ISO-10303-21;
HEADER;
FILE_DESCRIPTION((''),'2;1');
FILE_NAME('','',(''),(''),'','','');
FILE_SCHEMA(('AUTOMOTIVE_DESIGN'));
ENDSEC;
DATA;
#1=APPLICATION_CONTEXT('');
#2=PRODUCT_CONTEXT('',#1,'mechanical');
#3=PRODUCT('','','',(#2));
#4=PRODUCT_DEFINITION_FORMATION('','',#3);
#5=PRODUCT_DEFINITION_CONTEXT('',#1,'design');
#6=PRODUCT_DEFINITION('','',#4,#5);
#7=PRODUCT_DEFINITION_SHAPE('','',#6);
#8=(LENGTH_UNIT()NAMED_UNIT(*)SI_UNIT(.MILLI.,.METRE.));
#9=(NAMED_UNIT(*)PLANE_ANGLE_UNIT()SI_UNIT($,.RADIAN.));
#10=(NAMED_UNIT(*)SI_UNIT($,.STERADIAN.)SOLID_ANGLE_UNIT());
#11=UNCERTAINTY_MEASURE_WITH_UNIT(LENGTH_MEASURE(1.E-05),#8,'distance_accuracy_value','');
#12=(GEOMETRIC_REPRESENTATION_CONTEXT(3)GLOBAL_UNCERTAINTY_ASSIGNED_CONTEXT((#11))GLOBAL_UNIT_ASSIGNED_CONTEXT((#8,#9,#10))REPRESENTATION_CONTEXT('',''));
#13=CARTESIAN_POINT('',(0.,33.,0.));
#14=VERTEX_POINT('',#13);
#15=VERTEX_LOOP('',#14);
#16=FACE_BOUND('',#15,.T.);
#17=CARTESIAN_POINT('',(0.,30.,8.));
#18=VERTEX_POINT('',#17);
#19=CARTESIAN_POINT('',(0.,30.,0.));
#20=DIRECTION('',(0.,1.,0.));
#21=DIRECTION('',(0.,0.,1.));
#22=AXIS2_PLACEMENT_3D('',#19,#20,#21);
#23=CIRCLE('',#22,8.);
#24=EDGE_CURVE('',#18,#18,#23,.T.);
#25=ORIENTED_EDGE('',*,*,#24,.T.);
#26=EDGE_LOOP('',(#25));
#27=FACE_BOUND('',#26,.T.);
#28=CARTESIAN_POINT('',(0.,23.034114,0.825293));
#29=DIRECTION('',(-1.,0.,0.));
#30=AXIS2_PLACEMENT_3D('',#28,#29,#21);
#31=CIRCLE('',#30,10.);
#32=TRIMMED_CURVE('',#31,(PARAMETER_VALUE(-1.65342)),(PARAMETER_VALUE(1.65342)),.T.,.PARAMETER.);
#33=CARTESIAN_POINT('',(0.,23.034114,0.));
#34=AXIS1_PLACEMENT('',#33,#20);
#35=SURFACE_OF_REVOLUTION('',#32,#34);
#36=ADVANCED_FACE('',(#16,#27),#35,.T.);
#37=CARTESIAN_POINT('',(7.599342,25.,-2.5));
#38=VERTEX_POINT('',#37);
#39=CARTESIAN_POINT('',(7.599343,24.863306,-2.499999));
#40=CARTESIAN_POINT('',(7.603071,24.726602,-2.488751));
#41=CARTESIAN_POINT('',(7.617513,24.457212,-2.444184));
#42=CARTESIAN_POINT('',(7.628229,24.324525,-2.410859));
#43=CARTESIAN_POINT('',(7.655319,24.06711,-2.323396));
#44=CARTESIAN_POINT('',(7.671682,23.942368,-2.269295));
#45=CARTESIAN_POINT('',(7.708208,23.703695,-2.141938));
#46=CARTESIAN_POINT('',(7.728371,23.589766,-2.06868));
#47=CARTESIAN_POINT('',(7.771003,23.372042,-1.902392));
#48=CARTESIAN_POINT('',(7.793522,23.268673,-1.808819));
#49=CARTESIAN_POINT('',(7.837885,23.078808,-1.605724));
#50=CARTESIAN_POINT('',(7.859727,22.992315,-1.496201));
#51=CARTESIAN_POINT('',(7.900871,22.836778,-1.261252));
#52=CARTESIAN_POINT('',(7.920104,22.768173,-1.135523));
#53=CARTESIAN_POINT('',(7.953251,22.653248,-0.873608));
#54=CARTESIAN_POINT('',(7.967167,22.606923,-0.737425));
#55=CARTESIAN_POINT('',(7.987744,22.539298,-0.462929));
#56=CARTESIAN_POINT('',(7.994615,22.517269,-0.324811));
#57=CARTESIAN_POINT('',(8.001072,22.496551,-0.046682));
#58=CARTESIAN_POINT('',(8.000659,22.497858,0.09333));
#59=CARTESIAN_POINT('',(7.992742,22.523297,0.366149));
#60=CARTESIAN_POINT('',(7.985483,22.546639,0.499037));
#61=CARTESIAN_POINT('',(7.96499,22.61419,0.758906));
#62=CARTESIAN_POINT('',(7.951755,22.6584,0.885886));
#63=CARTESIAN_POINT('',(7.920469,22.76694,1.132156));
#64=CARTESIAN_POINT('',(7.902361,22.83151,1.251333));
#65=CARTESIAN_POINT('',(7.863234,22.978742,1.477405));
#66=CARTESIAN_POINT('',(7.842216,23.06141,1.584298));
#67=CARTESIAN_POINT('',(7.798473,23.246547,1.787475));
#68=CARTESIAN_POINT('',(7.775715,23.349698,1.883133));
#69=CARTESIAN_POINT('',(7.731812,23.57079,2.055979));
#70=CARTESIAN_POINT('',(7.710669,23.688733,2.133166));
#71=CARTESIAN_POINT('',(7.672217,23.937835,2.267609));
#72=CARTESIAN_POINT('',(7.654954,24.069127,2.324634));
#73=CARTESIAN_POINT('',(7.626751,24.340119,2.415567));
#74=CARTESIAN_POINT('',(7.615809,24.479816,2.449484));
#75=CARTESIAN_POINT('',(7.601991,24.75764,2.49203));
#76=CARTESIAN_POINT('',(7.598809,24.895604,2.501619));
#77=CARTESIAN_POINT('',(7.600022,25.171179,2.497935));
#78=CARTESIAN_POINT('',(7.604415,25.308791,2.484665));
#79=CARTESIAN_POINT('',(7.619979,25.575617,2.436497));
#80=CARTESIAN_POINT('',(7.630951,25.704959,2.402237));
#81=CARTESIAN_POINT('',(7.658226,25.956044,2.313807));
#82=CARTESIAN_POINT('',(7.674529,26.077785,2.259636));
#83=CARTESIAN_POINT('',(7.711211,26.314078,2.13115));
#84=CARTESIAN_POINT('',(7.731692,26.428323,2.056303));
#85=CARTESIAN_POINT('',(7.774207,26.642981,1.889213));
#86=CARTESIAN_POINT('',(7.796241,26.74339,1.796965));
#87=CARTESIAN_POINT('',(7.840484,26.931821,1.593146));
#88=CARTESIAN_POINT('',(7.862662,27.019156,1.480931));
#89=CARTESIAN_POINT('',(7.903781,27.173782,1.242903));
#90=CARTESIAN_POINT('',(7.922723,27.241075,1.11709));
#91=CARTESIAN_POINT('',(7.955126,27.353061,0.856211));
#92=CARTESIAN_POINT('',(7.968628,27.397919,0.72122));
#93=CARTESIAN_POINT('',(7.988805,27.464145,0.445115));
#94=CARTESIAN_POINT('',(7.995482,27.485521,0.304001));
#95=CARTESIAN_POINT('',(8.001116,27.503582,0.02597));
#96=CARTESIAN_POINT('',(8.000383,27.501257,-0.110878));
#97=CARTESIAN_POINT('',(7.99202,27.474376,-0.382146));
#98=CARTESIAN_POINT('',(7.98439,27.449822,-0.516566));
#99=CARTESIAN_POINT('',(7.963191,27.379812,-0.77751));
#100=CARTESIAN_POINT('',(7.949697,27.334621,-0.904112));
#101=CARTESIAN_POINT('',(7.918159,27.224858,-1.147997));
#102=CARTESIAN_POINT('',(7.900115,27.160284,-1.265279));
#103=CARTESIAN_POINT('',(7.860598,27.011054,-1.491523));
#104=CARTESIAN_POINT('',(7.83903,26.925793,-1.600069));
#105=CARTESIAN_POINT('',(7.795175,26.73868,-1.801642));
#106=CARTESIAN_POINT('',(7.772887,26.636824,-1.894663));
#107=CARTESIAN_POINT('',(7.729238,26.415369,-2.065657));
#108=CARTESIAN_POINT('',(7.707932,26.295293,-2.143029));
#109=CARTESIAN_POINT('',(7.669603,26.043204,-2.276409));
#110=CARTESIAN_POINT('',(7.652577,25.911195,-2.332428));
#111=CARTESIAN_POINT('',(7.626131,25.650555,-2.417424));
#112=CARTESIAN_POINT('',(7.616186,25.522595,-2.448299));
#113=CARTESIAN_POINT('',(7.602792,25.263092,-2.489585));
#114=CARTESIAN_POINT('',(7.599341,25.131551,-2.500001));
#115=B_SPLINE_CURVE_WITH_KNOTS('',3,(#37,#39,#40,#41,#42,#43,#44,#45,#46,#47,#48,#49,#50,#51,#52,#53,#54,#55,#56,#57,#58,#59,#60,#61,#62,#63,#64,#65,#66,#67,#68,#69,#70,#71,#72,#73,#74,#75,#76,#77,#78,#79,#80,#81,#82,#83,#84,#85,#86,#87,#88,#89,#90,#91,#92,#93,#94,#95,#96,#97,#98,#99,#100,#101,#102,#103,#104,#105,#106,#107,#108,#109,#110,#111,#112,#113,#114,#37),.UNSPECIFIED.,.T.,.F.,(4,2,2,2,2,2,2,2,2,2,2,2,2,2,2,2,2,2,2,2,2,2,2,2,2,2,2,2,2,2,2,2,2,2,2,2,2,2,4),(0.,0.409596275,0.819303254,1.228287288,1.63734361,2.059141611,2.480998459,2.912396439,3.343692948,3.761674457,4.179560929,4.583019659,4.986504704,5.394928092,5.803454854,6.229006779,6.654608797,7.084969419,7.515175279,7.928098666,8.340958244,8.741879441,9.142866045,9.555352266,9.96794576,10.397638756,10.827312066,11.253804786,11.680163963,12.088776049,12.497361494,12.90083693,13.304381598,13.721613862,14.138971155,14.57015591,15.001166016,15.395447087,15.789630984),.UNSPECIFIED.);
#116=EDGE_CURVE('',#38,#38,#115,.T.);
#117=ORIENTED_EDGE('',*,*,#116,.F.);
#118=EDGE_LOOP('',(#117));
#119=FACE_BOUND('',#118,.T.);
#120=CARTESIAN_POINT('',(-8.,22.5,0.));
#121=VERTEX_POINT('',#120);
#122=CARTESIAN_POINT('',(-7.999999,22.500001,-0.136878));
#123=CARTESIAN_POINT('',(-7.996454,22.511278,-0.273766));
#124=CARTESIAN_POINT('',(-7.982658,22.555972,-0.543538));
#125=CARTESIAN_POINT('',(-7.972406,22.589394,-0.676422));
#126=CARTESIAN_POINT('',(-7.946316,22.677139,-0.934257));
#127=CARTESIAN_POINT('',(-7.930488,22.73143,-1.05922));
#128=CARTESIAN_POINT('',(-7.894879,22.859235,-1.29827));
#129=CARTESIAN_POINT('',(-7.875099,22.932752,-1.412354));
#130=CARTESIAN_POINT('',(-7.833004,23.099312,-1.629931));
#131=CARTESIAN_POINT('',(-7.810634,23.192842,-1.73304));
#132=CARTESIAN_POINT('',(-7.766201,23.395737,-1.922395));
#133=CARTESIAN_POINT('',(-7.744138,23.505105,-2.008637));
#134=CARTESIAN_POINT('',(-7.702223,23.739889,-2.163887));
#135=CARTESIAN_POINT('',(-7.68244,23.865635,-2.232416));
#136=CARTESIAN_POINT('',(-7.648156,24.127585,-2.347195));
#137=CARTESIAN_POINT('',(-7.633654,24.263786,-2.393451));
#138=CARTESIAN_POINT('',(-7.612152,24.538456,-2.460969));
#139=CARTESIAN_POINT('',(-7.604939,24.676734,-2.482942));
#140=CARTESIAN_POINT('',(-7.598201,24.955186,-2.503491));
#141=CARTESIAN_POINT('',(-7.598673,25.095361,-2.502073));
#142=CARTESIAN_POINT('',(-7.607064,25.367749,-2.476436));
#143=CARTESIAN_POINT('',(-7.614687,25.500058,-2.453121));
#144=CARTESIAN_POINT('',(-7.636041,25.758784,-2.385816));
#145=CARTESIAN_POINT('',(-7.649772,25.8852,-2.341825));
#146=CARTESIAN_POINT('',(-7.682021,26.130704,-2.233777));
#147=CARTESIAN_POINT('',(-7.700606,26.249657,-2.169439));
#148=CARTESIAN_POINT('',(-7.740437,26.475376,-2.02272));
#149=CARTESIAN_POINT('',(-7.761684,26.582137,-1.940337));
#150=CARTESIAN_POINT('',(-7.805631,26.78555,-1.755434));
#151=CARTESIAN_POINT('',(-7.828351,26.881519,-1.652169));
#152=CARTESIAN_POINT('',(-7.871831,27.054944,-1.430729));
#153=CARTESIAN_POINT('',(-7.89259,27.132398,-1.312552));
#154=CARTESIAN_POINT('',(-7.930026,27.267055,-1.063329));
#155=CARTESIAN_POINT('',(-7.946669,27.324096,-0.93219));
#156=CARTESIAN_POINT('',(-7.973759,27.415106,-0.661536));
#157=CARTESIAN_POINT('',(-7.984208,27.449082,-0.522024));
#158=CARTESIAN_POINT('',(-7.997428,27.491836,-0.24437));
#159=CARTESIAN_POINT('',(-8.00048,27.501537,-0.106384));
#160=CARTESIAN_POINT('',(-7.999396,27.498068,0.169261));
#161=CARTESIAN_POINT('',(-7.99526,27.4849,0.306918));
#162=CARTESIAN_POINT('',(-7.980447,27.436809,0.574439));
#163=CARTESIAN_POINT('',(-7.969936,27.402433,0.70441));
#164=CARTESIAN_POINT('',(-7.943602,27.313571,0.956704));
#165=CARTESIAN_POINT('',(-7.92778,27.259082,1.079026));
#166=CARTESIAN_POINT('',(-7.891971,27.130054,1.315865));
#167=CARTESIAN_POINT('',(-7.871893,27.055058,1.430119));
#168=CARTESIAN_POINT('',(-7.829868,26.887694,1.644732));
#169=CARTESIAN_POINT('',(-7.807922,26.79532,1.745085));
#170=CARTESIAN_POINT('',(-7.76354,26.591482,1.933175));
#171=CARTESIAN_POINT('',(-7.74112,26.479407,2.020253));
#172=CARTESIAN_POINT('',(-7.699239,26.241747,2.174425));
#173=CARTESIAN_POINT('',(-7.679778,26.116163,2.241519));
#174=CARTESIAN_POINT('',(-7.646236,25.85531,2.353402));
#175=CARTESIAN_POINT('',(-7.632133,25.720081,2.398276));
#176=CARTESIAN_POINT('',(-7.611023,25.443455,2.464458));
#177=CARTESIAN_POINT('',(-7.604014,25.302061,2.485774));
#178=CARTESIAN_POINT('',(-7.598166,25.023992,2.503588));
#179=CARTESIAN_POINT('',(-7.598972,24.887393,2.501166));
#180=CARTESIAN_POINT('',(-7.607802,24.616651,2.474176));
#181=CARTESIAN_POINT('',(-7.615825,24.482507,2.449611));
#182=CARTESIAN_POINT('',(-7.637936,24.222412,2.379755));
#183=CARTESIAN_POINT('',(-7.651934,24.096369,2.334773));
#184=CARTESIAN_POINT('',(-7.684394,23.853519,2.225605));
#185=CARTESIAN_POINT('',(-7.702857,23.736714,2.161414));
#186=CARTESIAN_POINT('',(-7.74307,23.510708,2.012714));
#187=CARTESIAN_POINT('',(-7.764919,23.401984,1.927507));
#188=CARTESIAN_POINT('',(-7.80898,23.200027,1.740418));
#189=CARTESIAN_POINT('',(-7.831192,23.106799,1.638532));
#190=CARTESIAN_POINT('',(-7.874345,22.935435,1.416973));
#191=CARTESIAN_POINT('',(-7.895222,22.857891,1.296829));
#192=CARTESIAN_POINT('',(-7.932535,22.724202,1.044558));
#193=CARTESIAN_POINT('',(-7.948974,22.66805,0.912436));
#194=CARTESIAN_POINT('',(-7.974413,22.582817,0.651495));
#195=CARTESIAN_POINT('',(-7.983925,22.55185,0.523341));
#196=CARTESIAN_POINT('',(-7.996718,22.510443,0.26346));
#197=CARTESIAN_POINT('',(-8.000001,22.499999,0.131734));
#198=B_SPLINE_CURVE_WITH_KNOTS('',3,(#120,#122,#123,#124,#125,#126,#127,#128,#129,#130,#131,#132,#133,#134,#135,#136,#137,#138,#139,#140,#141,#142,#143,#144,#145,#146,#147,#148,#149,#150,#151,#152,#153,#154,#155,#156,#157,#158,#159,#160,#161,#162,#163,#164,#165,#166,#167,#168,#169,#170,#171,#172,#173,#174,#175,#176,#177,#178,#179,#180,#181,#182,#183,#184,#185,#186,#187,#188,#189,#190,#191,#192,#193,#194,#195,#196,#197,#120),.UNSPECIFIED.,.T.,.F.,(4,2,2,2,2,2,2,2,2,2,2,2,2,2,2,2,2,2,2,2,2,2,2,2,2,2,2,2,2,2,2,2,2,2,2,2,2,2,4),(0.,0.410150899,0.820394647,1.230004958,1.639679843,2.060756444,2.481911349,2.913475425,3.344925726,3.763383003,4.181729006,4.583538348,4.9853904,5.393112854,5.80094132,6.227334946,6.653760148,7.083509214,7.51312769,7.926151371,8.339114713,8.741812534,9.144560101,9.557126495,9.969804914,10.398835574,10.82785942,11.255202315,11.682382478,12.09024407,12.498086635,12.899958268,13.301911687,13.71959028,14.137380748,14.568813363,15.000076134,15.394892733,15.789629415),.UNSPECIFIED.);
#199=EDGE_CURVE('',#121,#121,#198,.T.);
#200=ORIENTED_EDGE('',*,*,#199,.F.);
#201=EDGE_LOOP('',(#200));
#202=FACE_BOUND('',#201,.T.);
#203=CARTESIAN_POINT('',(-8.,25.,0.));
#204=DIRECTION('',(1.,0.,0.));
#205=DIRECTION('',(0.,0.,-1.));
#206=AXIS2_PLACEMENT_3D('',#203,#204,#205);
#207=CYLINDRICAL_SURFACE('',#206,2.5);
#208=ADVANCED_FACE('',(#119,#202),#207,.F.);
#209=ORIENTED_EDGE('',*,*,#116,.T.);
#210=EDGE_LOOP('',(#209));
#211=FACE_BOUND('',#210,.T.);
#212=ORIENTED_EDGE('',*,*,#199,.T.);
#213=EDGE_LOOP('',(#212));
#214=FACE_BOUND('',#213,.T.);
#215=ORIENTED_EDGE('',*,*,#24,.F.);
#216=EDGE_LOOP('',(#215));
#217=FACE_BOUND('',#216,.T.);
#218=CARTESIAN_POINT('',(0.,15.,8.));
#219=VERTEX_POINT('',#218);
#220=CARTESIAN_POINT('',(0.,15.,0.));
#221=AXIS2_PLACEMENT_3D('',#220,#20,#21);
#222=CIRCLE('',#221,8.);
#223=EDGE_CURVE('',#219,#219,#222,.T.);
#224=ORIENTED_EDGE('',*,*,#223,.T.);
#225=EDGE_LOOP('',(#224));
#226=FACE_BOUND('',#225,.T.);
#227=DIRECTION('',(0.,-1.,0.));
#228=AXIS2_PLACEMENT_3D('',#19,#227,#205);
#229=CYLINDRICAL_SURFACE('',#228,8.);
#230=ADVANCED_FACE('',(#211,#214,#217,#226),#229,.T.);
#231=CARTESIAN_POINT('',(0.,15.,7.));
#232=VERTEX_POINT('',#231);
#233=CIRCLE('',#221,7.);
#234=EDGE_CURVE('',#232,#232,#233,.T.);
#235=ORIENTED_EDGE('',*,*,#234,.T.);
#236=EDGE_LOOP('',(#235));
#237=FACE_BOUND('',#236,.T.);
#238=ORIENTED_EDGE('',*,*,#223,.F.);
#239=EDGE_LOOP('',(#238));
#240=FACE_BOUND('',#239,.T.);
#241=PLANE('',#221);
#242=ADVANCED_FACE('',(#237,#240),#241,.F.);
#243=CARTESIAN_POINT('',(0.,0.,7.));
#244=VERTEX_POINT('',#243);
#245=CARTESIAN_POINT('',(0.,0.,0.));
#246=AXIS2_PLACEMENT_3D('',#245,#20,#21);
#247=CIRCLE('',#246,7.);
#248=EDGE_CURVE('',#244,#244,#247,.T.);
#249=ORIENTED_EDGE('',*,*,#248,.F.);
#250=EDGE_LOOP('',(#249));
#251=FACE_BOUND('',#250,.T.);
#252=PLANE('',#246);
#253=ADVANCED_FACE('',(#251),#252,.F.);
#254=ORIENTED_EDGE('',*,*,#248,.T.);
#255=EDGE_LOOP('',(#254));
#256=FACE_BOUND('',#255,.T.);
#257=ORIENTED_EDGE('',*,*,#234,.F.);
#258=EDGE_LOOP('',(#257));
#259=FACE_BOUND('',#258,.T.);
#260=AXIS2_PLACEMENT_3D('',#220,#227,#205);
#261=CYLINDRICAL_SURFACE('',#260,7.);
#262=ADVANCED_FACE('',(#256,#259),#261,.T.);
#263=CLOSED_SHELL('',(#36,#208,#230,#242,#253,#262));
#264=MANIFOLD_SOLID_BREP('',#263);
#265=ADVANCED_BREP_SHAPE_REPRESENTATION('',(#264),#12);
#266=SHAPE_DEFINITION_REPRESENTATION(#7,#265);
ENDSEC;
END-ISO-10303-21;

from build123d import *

# Parameters (mm, degrees)
SKETCH1_R               = 7
BOSS_EXTRUDE1_DEPTH     = 15
SKETCH2_R               = 8
BOSS_EXTRUDE2_DEPTH     = 15
CUT_EXTRUDE1_DEPTH      = 35.917798754
CUT_EXTRUDE1_DEPTH_BACK = 35.917798754
SKETCH3_R               = 2.5


with BuildPart() as part:
    # Sketch1 → Boss-Extrude1 (new body)
    with BuildSketch(Plane(origin=(0, 0, 0), x_dir=(1, 0, 0), z_dir=(0, 1, 0))):
        with Locations(Location((0, 0, 0), (0, 0, 270))):
            Circle(SKETCH1_R)
    extrude(amount=BOSS_EXTRUDE1_DEPTH)

    # Sketch2 → Boss-Extrude2 (add)
    with BuildSketch(Plane(origin=(0, 15, 0), x_dir=(1, 0, 0), z_dir=(0, 1, 0))):
        with Locations(Location((0, 0, 0), (0, 0, 270))):
            Circle(SKETCH2_R)
    extrude(amount=BOSS_EXTRUDE2_DEPTH)

    # Sketch4 → Revolve1 (revolve)
    with BuildSketch(Plane.XY):
        with BuildLine():
            Line((0, 33), (0, 30))
            Line((0, 30), (8, 30))
            ThreePointArc((8, 30), (4.336527008, 32.397405356), (0, 33))
        make_face()
    revolve(axis=Axis((0, 33, 0), (0, -1, 0)))

    # Sketch3 → Cut-Extrude1 (cut, two sides: drawn at the far end of the back side and taken through both)
    with BuildSketch(Plane(origin=(0, 0, 0), x_dir=(0, 0, -1), z_dir=(1, 0, 0)).offset(-CUT_EXTRUDE1_DEPTH_BACK)):
        with Locations((0, 25)):
            Circle(SKETCH3_R)
    extrude(amount=CUT_EXTRUDE1_DEPTH + CUT_EXTRUDE1_DEPTH_BACK, mode=Mode.SUBTRACT)


solid = part.part
